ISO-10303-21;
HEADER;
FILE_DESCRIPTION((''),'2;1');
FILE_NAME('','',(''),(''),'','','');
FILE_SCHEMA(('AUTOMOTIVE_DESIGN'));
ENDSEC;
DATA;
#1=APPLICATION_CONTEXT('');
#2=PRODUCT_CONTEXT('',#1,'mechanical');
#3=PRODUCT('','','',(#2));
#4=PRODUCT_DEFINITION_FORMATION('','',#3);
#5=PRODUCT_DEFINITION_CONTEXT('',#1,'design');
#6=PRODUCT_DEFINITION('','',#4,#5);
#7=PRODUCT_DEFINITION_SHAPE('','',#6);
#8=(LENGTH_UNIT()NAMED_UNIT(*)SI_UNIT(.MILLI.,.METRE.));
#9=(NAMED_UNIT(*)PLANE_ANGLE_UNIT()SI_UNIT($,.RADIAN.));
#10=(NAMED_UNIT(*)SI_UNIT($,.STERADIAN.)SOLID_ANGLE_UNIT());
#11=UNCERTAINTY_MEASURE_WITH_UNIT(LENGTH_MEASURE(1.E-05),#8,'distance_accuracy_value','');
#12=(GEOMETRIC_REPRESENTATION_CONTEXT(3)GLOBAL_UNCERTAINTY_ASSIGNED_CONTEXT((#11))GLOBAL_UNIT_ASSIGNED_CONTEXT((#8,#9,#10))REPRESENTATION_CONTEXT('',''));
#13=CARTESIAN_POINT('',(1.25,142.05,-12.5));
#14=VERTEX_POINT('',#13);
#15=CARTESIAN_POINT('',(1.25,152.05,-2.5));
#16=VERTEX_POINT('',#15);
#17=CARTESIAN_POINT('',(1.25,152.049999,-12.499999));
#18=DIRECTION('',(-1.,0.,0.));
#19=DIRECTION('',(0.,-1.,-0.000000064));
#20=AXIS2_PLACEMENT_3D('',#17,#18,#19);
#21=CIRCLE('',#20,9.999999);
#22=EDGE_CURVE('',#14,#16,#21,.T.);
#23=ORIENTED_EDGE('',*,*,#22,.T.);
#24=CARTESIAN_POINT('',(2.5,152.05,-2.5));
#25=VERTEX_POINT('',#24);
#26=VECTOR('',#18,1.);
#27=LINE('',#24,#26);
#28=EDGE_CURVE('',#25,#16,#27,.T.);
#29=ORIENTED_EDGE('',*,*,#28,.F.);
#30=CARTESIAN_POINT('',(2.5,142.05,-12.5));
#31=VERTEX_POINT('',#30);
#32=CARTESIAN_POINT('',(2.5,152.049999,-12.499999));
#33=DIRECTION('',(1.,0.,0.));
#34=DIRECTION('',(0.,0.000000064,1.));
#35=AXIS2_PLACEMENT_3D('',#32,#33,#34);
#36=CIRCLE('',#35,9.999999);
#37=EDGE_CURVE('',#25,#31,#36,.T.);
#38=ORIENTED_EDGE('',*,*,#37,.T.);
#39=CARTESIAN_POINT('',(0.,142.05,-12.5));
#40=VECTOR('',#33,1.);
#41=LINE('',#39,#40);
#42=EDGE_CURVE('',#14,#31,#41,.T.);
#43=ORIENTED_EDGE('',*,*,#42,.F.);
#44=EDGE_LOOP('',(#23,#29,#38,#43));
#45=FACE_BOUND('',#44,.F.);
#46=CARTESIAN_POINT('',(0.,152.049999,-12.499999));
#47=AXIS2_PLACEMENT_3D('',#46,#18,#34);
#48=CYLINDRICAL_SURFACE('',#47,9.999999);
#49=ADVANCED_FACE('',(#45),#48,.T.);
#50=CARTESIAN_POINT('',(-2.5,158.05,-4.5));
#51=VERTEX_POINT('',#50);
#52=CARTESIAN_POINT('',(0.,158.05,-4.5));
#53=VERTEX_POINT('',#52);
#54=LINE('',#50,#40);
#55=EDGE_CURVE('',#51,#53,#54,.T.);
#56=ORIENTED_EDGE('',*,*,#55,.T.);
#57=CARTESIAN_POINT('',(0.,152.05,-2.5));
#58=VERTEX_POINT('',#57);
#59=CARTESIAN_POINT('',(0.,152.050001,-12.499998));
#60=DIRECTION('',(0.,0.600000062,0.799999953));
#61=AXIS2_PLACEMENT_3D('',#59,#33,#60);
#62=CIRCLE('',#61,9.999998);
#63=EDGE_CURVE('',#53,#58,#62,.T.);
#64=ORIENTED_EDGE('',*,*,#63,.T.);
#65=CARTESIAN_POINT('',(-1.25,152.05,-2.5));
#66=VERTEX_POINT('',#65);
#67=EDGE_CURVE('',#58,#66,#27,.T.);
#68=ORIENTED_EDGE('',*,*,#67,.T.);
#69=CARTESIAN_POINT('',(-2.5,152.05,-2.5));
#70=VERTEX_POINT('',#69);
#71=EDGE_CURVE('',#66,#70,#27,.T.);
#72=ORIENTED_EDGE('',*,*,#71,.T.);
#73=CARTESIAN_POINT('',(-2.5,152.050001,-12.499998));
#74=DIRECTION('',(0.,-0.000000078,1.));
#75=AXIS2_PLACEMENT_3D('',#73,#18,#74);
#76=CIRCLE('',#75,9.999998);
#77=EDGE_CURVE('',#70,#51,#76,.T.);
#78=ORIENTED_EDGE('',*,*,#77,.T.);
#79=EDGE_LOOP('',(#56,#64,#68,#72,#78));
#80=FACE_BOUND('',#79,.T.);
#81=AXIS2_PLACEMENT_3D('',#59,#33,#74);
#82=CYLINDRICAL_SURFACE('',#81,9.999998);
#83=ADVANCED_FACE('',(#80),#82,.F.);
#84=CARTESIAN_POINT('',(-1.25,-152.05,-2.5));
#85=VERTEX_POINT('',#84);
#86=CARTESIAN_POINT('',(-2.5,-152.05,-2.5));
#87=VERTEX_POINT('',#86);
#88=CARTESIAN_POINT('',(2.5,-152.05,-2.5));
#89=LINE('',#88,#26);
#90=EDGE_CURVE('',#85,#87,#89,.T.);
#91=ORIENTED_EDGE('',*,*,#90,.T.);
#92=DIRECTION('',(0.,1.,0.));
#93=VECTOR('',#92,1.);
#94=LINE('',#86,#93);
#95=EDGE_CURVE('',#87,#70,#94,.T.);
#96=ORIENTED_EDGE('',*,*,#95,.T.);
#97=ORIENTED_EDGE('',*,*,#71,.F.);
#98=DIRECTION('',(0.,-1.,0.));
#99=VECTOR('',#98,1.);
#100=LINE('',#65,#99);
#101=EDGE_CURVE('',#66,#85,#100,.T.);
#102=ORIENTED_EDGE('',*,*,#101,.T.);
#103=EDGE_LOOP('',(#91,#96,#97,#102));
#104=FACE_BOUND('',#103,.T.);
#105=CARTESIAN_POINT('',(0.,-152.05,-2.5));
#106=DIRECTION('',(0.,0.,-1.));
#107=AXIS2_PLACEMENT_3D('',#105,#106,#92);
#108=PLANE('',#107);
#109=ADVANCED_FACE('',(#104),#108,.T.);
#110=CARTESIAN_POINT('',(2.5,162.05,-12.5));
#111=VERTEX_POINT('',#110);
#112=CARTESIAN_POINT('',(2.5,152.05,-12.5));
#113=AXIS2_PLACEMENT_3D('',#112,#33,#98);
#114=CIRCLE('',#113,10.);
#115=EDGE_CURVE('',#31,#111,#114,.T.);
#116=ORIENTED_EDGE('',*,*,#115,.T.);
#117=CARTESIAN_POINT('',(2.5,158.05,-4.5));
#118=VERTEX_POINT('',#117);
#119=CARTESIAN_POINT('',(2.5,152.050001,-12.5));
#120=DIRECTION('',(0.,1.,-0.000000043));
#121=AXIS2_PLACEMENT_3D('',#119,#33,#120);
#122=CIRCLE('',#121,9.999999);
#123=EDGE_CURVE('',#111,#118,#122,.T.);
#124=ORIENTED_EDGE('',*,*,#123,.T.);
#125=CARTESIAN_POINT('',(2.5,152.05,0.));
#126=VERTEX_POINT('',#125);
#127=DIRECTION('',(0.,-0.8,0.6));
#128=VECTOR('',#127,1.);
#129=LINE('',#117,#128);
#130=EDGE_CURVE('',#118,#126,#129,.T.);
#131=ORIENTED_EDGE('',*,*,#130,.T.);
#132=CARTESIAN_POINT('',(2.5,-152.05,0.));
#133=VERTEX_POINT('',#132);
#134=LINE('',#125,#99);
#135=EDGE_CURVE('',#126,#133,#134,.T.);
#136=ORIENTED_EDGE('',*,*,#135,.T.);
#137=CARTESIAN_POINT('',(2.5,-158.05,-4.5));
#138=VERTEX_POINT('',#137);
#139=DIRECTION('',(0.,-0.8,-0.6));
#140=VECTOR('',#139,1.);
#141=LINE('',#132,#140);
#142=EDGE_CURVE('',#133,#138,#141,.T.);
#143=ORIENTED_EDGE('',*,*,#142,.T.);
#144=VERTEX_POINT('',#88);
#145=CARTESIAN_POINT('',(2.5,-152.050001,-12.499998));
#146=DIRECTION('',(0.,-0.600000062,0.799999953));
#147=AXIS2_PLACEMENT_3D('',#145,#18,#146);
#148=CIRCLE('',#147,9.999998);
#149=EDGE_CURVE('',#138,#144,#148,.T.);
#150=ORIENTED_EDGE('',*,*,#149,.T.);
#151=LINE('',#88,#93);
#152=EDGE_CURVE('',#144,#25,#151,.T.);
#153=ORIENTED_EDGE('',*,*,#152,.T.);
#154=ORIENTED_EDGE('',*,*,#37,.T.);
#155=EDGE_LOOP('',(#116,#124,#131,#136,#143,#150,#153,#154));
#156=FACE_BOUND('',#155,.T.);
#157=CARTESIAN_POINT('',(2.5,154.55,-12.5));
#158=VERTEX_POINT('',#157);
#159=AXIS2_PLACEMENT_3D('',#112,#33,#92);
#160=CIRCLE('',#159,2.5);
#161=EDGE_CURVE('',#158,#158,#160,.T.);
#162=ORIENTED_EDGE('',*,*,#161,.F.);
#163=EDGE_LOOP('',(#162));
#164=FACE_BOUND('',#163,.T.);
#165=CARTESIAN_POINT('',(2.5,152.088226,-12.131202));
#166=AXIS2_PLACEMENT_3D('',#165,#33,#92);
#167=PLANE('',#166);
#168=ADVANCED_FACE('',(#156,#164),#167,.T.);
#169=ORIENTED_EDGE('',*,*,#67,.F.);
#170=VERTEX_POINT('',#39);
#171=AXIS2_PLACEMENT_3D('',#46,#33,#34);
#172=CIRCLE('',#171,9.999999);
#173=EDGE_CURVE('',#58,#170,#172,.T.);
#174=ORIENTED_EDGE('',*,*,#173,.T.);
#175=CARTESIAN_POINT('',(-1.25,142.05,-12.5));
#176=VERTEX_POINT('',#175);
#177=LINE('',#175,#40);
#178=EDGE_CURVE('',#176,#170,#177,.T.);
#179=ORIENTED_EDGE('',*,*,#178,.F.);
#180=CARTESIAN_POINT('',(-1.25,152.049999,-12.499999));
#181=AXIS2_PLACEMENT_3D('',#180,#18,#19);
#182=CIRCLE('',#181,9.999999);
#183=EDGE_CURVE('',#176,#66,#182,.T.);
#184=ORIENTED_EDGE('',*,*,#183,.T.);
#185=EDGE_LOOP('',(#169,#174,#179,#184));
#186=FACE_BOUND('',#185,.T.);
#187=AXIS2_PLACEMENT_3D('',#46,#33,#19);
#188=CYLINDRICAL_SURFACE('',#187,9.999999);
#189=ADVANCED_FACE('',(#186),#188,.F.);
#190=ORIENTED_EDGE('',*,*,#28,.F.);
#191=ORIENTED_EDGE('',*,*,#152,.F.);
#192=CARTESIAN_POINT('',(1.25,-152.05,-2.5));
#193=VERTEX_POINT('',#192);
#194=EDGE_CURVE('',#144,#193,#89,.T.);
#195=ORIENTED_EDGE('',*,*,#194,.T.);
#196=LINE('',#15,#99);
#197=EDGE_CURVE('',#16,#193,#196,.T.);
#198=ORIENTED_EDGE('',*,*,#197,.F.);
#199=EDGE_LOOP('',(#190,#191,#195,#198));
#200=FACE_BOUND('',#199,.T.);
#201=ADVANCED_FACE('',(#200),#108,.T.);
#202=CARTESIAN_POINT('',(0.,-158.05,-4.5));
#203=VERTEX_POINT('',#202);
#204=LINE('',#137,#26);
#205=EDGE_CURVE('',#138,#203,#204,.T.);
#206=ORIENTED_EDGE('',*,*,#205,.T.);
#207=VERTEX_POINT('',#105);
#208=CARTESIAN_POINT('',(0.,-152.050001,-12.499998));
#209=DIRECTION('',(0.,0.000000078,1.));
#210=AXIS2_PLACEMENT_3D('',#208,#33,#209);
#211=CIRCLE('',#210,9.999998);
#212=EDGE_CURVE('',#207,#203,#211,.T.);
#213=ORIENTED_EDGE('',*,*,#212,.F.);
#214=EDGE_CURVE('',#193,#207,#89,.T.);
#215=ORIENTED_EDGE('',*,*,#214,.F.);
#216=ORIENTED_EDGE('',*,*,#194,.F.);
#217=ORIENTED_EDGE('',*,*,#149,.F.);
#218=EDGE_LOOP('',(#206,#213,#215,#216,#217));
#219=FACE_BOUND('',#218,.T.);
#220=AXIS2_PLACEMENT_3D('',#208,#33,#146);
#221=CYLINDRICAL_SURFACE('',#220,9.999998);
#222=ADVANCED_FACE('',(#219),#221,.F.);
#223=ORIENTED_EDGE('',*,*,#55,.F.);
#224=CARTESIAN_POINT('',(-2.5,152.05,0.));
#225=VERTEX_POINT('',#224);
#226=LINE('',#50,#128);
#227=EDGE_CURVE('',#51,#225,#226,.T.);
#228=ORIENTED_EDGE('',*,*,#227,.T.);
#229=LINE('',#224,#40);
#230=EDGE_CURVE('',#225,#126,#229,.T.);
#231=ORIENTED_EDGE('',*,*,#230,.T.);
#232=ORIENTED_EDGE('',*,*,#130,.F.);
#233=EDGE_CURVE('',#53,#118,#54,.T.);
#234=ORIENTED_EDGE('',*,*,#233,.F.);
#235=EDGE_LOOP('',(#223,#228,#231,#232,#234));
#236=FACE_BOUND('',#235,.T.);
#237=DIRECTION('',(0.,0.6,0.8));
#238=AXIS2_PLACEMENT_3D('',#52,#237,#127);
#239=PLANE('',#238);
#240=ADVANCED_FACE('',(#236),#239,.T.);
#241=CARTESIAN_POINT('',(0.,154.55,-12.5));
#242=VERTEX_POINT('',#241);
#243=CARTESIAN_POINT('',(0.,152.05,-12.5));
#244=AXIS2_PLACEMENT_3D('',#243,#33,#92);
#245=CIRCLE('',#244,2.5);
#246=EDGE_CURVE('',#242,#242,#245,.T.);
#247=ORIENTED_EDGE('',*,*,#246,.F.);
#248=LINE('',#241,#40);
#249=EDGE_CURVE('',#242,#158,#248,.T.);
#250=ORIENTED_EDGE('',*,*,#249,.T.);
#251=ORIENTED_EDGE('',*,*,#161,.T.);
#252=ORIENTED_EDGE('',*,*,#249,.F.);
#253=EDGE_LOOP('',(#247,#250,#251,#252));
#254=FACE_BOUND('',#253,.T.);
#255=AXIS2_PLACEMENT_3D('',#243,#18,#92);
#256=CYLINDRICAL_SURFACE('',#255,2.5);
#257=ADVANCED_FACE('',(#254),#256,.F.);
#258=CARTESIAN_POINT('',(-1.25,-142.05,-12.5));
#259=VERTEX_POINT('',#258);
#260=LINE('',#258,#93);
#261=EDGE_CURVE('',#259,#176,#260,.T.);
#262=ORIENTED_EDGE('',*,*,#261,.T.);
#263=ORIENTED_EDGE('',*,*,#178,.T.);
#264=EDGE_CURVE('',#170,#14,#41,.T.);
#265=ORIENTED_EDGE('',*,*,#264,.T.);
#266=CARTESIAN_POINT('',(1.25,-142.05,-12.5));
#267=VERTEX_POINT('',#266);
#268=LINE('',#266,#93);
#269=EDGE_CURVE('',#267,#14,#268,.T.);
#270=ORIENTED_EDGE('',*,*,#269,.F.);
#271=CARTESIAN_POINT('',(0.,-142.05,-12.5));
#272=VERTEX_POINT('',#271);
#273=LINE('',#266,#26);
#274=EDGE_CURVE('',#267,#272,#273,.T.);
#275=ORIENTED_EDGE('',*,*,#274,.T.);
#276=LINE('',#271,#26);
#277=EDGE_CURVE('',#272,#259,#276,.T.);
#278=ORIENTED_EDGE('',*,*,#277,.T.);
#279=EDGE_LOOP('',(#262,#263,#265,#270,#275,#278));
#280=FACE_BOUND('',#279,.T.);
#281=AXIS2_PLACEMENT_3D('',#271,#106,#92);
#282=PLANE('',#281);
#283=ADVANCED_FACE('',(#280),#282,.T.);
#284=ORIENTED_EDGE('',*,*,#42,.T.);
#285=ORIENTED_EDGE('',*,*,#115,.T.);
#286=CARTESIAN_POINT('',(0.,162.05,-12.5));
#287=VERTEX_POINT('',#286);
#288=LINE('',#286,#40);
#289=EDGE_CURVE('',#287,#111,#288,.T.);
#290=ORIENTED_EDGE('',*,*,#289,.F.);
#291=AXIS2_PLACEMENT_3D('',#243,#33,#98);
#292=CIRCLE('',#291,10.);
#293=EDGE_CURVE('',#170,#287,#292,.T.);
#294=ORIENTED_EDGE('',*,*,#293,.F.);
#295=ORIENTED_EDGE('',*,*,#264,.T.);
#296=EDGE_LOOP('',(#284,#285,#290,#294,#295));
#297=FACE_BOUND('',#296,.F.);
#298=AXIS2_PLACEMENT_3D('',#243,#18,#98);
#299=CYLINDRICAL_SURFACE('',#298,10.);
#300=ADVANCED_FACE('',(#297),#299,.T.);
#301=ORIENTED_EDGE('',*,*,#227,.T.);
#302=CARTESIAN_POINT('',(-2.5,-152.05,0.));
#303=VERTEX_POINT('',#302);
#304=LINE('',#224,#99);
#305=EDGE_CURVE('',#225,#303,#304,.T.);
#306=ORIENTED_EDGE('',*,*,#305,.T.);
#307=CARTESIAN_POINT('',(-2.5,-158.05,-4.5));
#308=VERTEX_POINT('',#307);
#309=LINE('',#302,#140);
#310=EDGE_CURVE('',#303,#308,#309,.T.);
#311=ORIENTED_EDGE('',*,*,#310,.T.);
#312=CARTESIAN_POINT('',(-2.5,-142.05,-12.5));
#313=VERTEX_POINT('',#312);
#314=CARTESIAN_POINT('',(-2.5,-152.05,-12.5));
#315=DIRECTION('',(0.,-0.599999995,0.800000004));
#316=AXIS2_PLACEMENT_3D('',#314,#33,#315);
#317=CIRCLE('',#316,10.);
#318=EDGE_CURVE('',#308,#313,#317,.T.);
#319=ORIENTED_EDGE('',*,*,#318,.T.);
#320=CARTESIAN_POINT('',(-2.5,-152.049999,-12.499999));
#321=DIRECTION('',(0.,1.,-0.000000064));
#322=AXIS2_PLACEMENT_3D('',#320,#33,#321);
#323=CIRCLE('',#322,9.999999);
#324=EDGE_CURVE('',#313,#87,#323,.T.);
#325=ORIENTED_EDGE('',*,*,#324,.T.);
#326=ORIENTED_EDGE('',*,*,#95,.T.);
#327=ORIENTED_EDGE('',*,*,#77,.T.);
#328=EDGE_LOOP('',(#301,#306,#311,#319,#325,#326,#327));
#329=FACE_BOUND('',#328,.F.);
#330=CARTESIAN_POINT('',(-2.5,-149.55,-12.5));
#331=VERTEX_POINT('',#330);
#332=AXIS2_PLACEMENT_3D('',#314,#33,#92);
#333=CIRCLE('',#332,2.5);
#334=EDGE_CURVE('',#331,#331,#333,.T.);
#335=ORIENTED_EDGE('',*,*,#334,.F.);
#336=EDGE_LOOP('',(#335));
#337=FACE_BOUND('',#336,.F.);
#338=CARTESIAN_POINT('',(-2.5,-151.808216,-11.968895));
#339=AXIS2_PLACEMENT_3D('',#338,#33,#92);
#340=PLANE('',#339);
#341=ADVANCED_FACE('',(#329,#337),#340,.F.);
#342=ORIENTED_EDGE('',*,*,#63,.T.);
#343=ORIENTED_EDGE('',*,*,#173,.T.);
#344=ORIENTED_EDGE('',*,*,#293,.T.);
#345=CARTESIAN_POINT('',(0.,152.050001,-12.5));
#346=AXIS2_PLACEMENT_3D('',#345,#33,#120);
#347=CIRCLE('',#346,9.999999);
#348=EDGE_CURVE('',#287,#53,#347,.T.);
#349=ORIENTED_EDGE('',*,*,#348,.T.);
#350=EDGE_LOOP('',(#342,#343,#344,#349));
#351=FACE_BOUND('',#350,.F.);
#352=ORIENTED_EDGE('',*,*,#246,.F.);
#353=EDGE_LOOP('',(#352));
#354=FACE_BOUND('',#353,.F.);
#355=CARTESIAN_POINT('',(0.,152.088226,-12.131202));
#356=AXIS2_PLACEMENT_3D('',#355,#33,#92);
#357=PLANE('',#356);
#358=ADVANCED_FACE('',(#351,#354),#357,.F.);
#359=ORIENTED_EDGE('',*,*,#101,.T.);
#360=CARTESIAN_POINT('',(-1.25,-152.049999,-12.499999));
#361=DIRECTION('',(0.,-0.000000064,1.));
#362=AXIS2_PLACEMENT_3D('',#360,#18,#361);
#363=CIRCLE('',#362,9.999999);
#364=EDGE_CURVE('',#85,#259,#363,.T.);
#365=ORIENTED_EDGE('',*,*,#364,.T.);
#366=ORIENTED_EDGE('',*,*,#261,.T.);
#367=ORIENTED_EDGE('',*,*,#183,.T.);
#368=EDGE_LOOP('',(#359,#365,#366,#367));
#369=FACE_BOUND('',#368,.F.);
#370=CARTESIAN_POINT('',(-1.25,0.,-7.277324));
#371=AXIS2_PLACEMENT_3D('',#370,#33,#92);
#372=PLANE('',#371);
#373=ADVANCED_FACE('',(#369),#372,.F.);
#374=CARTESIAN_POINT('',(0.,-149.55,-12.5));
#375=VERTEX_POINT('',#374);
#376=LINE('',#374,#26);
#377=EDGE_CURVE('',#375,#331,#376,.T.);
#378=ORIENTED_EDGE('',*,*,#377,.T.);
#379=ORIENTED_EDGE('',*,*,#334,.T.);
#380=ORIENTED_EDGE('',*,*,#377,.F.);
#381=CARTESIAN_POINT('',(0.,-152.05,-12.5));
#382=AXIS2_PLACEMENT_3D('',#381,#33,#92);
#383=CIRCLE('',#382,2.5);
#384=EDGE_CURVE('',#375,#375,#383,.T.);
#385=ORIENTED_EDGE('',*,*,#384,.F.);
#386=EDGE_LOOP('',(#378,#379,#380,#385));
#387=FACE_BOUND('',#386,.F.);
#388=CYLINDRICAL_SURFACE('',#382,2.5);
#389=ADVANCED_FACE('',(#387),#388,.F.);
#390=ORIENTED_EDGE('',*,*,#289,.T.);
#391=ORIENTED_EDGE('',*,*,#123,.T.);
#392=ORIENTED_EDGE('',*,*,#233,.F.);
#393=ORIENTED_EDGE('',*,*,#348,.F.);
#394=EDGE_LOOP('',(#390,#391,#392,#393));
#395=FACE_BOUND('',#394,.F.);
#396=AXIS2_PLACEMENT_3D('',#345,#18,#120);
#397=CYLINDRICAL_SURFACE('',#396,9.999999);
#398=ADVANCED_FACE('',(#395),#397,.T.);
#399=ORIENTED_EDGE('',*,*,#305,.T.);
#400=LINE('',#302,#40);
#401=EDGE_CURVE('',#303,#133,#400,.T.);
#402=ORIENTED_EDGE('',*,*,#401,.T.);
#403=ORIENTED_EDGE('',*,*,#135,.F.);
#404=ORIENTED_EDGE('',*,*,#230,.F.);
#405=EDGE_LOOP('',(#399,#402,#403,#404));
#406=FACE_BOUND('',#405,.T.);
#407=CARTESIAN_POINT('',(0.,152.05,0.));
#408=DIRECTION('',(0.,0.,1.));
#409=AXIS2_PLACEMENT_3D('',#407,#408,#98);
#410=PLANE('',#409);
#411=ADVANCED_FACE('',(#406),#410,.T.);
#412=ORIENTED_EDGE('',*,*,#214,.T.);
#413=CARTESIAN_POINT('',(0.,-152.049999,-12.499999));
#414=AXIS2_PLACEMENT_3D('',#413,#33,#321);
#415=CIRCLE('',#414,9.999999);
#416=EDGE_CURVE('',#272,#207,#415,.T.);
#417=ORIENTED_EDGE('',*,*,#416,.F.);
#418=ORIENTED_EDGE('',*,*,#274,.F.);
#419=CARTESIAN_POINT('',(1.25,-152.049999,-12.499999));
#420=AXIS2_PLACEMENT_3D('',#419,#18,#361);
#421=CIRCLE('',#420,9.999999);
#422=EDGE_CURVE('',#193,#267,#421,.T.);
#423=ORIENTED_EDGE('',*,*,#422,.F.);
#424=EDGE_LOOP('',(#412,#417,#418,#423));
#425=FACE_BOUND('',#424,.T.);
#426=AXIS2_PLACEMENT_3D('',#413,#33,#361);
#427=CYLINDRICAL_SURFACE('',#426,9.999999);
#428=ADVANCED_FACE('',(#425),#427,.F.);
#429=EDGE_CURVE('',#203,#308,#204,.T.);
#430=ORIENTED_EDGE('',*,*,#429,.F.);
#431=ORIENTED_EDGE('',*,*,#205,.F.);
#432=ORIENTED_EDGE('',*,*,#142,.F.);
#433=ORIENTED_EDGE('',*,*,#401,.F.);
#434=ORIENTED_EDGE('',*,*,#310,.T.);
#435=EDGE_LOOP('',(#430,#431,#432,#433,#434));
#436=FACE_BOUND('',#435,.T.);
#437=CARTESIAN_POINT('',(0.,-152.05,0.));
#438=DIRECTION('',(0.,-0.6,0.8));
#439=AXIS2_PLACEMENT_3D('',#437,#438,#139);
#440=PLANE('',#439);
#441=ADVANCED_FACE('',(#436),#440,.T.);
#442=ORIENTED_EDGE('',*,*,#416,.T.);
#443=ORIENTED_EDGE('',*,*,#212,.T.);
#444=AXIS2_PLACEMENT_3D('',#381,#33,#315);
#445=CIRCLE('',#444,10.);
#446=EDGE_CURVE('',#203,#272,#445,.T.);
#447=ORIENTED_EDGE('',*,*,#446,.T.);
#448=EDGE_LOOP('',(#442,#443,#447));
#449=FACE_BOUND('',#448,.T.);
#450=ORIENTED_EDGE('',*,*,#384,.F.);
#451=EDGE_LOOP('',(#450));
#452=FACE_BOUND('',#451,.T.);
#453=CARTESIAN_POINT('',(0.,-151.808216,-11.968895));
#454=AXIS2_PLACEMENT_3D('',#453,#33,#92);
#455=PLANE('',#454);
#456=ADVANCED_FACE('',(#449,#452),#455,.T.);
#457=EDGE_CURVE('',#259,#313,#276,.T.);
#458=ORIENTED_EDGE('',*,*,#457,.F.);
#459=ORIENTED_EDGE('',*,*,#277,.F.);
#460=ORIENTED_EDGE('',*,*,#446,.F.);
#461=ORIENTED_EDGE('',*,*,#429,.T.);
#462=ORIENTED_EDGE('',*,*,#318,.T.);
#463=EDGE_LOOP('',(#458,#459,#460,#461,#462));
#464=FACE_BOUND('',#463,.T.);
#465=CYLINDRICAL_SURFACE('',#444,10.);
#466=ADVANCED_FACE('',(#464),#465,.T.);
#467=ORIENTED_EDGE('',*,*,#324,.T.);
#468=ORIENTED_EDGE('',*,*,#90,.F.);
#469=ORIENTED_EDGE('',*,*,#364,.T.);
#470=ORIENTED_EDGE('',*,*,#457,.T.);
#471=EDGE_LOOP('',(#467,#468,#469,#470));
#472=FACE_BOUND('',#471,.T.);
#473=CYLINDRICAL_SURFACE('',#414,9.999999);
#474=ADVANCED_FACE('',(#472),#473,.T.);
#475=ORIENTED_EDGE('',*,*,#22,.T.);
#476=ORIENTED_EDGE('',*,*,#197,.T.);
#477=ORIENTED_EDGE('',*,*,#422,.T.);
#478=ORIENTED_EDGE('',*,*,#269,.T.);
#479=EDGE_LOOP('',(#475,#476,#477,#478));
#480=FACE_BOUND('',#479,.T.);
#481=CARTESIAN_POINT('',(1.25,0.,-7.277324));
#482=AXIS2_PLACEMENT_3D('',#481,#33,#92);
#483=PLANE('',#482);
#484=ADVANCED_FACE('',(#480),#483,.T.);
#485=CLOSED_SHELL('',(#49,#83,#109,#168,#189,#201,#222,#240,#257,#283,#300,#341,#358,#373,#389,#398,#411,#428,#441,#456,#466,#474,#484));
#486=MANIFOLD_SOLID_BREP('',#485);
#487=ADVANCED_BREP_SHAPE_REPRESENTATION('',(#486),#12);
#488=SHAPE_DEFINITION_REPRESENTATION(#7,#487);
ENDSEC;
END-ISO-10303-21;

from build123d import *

# Parameters (mm, degrees)
F1_DEPTH = 2.5
F0_R     = 2.5
F2_DEPTH = 2.5
F3_DEPTH = 2.5
F4_DEPTH = 1.25


with BuildPart() as f1:
    # F0 (on Right) → F1 (new body, symmetric)
    with BuildSketch(Plane.YZ):
        with BuildLine():
            ThreePointArc((152.05, -2.5), (155.212278, -3.013167), (158.05, -4.5))
            Line((158.05, -4.5), (152.05, 0))
            Line((152.05, 0), (-152.05, 0))
            Line((-152.05, 0), (-158.05, -4.5))
            ThreePointArc((-158.05, -4.5), (-155.212278, -3.013167), (-152.05, -2.5))
            Line((-152.05, -2.5), (152.05, -2.5))
        make_face()
    extrude(amount=F1_DEPTH, both=True)

    # F0 (on Right) → F2 (join)
    with BuildSketch(Plane.YZ):
        with BuildLine():
            ThreePointArc((-158.05, -4.5), (-156.522136, -21.444272), (-142.05, -12.5))
            ThreePointArc((-142.05, -12.5), (-144.978932, -5.428932), (-152.05, -2.5))
            ThreePointArc((-152.05, -2.5), (-155.212278, -3.013167), (-158.05, -4.5))
        make_face()
        with Locations((-152.05, -12.5)):
            Circle(F0_R, mode=Mode.SUBTRACT)
    extrude(amount=-F2_DEPTH)

    # F0 (on Right) → F3 (join)
    with BuildSketch(Plane.YZ):
        with BuildLine():
            ThreePointArc((142.05, -12.5), (152.05, -22.5), (162.05, -12.5))
            ThreePointArc((162.05, -12.5), (160.994272, -8.027864), (158.05, -4.5))
            ThreePointArc((158.05, -4.5), (155.212278, -3.013167), (152.05, -2.5))
            ThreePointArc((152.05, -2.5), (144.978932, -5.428932), (142.05, -12.5))
        make_face()
        with Locations((152.05, -12.5)):
            Circle(F0_R, mode=Mode.SUBTRACT)
    extrude(amount=F3_DEPTH)

    # F0 (on Right) → F4 (join, symmetric)
    with BuildSketch(Plane.YZ):
        with BuildLine():
            Line((-142.05, -12.5), (142.05, -12.5))
            ThreePointArc((142.05, -12.5), (144.978932, -5.428932), (152.05, -2.5))
            Line((152.05, -2.5), (-152.05, -2.5))
            ThreePointArc((-152.05, -2.5), (-144.978932, -5.428932), (-142.05, -12.5))
        make_face()
    extrude(amount=F4_DEPTH, both=True)


solid = f1.part
